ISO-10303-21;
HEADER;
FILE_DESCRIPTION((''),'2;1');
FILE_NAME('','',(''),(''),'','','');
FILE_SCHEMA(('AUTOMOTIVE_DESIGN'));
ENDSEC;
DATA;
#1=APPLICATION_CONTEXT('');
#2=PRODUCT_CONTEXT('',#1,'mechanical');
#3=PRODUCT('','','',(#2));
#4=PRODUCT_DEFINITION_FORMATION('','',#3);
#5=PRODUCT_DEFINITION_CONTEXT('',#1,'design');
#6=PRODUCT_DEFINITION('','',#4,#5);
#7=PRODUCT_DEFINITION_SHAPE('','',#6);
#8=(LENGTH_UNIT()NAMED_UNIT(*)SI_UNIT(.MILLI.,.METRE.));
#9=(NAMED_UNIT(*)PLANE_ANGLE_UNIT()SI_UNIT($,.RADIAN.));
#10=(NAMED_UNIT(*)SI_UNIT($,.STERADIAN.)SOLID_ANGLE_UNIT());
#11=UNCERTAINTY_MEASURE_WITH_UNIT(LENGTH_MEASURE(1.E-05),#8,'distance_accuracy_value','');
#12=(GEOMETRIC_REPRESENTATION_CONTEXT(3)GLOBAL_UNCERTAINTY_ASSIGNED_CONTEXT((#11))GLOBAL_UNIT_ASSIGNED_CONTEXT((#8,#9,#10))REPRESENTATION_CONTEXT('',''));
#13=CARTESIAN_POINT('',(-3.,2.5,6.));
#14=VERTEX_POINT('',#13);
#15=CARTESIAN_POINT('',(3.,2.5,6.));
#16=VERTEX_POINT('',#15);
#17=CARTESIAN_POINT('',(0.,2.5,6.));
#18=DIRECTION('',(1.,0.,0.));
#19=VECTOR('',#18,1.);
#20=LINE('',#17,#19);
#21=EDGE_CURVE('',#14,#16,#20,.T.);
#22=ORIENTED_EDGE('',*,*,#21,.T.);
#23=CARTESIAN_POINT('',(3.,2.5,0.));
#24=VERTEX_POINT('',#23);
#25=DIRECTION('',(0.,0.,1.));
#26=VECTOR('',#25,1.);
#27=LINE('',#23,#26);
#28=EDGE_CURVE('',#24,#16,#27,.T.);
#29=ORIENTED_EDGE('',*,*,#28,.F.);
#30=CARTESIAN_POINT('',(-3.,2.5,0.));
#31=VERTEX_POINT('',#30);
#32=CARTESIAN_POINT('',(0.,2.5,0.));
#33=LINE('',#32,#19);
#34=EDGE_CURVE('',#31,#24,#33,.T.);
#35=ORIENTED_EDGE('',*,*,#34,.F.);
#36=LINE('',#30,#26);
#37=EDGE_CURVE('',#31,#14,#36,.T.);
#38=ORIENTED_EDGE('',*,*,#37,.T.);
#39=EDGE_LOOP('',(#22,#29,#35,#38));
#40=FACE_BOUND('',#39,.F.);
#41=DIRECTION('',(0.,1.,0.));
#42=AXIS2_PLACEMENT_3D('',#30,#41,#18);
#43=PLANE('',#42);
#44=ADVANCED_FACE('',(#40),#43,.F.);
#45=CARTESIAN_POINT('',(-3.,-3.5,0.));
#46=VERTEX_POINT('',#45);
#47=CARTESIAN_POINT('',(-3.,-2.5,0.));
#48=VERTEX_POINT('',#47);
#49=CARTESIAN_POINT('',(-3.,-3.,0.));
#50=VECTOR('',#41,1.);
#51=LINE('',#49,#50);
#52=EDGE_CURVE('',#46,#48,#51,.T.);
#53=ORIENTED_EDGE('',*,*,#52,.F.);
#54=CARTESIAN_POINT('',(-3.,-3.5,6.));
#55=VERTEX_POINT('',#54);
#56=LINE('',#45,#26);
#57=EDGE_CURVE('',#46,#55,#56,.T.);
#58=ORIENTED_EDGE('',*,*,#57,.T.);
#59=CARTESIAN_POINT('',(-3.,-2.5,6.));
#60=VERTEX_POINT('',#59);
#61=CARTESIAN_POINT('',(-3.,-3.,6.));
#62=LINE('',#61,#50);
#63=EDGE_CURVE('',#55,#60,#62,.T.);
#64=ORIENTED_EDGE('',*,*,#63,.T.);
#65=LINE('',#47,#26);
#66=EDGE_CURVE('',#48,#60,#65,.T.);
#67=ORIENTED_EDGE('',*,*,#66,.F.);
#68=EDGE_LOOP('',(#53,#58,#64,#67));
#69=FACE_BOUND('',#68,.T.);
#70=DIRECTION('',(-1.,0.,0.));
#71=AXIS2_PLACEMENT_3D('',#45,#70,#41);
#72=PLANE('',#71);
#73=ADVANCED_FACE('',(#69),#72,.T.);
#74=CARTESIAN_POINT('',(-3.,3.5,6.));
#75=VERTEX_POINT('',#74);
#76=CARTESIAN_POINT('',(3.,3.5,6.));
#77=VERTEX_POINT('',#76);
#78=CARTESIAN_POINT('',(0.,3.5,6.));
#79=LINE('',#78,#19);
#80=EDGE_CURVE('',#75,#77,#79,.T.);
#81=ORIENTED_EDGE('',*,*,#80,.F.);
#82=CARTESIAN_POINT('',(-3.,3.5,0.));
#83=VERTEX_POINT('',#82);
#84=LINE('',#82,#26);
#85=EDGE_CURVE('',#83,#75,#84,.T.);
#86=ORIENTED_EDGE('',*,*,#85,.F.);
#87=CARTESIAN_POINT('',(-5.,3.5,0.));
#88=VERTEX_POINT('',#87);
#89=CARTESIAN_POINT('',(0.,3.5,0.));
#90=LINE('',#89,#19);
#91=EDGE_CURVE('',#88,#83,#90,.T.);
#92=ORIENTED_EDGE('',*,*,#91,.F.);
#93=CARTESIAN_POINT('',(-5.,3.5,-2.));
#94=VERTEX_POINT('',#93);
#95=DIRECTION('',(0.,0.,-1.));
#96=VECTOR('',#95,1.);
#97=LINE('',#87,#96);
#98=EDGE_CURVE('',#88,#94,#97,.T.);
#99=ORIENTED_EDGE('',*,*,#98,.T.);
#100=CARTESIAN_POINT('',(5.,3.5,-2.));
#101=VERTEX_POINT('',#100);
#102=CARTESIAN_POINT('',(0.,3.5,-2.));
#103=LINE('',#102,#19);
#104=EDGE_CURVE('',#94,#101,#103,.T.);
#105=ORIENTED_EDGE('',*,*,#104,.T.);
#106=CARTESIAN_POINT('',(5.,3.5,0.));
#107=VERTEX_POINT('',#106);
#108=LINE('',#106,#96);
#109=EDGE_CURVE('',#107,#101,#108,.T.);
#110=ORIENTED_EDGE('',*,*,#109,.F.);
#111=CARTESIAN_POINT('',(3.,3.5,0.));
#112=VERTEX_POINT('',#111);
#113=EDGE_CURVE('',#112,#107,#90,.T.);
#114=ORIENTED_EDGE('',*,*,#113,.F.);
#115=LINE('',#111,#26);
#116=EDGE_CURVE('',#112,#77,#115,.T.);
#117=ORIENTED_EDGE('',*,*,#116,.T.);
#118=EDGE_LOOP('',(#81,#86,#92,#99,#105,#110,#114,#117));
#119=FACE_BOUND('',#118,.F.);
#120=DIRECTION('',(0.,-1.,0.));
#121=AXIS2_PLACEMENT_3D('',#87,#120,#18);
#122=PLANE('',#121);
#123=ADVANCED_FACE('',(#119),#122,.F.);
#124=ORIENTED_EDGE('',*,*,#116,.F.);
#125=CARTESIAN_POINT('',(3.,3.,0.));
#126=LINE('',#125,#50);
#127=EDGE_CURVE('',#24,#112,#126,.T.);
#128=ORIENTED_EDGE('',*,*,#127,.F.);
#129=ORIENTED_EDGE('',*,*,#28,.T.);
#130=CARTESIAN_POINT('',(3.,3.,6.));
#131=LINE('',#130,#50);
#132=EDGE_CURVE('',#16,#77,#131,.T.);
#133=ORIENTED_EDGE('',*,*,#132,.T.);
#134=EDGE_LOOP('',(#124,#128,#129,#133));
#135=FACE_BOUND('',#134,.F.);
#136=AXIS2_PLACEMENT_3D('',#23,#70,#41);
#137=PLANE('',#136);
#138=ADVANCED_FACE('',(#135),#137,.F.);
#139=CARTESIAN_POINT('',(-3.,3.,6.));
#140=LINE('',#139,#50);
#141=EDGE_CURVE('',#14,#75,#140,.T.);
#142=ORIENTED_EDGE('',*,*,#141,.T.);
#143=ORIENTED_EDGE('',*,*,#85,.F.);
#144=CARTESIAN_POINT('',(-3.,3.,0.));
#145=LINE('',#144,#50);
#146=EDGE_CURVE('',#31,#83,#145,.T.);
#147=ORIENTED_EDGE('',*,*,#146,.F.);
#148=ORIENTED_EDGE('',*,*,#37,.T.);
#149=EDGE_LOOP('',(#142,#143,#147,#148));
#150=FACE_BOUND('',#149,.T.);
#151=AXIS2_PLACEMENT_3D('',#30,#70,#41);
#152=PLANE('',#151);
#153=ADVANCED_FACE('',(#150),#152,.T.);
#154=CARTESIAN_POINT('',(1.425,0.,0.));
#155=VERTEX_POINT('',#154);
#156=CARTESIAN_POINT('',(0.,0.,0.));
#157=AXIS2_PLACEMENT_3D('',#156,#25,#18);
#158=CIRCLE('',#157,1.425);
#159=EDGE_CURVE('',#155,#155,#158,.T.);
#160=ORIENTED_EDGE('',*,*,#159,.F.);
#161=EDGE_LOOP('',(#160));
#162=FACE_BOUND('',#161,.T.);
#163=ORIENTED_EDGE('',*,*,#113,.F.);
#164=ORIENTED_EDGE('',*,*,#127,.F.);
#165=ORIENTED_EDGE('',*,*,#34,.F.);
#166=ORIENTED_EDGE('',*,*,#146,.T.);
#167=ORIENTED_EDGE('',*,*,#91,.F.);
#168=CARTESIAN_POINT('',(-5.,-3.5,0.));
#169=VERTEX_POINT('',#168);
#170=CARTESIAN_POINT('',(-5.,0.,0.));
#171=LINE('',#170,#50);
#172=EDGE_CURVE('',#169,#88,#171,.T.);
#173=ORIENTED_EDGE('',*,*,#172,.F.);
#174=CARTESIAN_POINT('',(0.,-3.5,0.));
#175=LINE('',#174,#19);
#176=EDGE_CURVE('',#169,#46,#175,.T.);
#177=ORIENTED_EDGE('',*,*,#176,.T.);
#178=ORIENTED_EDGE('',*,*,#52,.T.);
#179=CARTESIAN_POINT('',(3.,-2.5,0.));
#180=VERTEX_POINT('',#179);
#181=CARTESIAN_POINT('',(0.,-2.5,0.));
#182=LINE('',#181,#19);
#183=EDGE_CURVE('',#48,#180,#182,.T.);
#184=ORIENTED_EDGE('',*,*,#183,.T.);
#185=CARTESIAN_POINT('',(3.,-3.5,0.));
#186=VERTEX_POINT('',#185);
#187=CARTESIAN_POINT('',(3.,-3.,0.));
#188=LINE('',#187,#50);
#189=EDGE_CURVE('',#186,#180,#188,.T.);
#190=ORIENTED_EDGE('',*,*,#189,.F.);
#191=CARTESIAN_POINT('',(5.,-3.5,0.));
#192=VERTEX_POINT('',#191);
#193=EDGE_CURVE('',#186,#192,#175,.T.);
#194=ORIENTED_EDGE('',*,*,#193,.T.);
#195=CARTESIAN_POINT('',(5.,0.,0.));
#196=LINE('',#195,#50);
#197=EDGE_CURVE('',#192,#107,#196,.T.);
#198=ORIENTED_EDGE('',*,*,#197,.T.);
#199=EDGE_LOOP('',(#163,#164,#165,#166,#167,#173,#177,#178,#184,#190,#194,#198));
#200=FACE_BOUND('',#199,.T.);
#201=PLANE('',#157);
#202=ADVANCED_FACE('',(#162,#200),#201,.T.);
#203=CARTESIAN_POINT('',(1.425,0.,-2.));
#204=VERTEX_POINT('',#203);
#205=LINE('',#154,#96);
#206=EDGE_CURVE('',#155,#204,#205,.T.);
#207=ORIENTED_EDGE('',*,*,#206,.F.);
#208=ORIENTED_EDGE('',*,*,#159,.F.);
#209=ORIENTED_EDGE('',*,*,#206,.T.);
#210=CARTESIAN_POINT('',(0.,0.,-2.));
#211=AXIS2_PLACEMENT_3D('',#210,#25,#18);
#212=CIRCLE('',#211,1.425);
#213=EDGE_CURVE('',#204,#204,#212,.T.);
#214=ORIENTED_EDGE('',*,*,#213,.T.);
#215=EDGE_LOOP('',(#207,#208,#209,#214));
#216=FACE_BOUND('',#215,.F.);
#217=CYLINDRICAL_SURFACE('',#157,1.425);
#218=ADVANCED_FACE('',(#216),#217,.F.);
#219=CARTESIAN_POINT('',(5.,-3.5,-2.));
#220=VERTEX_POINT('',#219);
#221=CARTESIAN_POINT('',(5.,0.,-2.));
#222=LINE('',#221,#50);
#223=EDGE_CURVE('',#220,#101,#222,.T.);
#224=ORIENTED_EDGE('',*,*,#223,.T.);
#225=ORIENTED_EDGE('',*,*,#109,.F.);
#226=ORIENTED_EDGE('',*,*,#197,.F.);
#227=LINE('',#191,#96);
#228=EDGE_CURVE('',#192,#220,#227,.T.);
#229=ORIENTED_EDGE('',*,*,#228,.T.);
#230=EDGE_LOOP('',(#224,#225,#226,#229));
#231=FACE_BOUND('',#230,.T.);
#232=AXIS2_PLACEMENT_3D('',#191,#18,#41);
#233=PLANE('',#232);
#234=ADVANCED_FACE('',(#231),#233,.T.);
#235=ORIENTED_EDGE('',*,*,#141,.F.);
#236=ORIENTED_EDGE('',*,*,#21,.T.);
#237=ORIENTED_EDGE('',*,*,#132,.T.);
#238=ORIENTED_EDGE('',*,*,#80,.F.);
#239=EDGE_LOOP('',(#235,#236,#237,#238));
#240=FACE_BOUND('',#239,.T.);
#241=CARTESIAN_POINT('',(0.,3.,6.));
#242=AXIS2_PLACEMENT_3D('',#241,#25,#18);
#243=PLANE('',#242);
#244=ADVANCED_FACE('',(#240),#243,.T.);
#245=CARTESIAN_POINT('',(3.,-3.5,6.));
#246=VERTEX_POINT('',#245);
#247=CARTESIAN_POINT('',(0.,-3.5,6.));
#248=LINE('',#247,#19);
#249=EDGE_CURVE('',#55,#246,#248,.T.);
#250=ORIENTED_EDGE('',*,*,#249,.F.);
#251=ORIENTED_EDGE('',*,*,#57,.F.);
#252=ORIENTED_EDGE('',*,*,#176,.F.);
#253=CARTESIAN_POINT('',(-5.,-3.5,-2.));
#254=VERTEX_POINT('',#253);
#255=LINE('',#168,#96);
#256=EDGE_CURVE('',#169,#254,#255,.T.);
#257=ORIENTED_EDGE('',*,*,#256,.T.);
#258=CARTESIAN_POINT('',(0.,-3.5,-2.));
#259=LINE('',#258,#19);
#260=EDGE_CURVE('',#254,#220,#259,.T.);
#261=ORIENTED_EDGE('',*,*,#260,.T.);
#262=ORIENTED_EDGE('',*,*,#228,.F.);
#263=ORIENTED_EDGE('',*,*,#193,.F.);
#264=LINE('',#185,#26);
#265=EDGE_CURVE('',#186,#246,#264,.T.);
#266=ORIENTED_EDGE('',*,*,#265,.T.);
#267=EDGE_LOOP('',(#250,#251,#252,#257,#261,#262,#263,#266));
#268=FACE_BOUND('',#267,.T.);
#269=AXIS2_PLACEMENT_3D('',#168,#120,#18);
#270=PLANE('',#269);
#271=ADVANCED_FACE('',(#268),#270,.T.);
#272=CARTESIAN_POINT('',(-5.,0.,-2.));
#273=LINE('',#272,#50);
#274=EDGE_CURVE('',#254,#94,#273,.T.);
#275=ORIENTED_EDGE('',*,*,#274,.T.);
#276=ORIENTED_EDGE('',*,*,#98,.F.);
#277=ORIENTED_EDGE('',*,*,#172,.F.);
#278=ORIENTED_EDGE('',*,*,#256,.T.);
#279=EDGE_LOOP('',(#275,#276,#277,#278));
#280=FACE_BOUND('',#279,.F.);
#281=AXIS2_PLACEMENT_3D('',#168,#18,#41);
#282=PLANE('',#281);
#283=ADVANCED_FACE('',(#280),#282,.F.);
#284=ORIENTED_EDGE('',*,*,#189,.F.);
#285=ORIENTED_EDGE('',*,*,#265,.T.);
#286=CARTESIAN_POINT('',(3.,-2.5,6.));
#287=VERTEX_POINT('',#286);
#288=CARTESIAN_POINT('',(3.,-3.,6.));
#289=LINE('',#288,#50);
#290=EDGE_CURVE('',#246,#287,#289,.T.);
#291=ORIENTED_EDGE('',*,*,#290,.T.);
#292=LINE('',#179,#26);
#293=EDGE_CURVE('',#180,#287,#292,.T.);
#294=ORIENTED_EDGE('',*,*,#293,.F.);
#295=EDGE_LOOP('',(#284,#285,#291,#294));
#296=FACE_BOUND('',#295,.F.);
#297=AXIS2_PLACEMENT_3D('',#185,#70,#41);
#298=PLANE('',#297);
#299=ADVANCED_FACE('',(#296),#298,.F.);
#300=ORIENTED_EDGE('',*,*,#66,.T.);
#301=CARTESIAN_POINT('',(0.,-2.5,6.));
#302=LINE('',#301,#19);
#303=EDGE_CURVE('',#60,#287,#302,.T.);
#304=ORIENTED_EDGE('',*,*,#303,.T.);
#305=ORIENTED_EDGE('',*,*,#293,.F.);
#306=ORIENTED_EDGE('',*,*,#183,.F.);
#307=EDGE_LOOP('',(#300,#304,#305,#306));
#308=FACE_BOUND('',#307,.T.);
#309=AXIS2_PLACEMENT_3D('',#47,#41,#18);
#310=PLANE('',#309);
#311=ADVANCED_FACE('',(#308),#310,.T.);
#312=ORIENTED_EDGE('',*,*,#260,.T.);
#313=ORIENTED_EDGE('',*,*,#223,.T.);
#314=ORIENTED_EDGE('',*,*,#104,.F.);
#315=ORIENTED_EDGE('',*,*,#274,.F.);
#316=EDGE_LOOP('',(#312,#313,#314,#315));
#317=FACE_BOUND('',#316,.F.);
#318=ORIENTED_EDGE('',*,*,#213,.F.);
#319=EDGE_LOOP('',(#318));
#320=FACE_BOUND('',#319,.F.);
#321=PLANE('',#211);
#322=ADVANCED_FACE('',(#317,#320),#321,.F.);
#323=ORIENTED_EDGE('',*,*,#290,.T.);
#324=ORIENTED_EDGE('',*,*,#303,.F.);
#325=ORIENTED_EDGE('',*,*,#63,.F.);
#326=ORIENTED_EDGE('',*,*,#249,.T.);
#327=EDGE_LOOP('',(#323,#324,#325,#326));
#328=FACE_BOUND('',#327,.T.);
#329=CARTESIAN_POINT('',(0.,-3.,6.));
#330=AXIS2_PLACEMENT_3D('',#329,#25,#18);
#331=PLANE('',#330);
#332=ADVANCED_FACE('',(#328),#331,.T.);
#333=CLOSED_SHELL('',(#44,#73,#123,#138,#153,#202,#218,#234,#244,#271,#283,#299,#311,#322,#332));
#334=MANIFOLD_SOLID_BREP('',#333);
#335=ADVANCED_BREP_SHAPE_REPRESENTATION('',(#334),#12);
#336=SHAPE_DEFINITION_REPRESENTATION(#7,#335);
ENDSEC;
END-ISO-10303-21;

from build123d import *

# Parameters (mm, degrees)
SKETCH1_W           = 10
SKETCH1_H           = 7
BOSS_EXTRUDE1_DEPTH = 2
SKETCH2_R           = 1.425
CUT_EXTRUDE1_DEPTH  = 2
SKETCH3_W           = 6
SKETCH3_H           = 1
BOSS_EXTRUDE2_DEPTH = 6


with BuildPart() as part:
    # Sketch1 → Boss-Extrude1 (new body)
    with BuildSketch(Plane.XY):
        Rectangle(SKETCH1_W, SKETCH1_H)
    extrude(amount=-BOSS_EXTRUDE1_DEPTH)

    # Sketch2 → Cut-Extrude1 (cut)
    with BuildSketch(Plane.XY):
        Circle(SKETCH2_R)
    extrude(amount=-CUT_EXTRUDE1_DEPTH, mode=Mode.SUBTRACT)

    # Sketch3 → Boss-Extrude2 (add)
    with BuildSketch(Plane.XY):
        with Locations((0, 3)):
            Rectangle(SKETCH3_W, SKETCH3_H)
        with Locations((0, -3)):
            Rectangle(SKETCH3_W, SKETCH3_H)
    extrude(amount=BOSS_EXTRUDE2_DEPTH)


solid = part.part
